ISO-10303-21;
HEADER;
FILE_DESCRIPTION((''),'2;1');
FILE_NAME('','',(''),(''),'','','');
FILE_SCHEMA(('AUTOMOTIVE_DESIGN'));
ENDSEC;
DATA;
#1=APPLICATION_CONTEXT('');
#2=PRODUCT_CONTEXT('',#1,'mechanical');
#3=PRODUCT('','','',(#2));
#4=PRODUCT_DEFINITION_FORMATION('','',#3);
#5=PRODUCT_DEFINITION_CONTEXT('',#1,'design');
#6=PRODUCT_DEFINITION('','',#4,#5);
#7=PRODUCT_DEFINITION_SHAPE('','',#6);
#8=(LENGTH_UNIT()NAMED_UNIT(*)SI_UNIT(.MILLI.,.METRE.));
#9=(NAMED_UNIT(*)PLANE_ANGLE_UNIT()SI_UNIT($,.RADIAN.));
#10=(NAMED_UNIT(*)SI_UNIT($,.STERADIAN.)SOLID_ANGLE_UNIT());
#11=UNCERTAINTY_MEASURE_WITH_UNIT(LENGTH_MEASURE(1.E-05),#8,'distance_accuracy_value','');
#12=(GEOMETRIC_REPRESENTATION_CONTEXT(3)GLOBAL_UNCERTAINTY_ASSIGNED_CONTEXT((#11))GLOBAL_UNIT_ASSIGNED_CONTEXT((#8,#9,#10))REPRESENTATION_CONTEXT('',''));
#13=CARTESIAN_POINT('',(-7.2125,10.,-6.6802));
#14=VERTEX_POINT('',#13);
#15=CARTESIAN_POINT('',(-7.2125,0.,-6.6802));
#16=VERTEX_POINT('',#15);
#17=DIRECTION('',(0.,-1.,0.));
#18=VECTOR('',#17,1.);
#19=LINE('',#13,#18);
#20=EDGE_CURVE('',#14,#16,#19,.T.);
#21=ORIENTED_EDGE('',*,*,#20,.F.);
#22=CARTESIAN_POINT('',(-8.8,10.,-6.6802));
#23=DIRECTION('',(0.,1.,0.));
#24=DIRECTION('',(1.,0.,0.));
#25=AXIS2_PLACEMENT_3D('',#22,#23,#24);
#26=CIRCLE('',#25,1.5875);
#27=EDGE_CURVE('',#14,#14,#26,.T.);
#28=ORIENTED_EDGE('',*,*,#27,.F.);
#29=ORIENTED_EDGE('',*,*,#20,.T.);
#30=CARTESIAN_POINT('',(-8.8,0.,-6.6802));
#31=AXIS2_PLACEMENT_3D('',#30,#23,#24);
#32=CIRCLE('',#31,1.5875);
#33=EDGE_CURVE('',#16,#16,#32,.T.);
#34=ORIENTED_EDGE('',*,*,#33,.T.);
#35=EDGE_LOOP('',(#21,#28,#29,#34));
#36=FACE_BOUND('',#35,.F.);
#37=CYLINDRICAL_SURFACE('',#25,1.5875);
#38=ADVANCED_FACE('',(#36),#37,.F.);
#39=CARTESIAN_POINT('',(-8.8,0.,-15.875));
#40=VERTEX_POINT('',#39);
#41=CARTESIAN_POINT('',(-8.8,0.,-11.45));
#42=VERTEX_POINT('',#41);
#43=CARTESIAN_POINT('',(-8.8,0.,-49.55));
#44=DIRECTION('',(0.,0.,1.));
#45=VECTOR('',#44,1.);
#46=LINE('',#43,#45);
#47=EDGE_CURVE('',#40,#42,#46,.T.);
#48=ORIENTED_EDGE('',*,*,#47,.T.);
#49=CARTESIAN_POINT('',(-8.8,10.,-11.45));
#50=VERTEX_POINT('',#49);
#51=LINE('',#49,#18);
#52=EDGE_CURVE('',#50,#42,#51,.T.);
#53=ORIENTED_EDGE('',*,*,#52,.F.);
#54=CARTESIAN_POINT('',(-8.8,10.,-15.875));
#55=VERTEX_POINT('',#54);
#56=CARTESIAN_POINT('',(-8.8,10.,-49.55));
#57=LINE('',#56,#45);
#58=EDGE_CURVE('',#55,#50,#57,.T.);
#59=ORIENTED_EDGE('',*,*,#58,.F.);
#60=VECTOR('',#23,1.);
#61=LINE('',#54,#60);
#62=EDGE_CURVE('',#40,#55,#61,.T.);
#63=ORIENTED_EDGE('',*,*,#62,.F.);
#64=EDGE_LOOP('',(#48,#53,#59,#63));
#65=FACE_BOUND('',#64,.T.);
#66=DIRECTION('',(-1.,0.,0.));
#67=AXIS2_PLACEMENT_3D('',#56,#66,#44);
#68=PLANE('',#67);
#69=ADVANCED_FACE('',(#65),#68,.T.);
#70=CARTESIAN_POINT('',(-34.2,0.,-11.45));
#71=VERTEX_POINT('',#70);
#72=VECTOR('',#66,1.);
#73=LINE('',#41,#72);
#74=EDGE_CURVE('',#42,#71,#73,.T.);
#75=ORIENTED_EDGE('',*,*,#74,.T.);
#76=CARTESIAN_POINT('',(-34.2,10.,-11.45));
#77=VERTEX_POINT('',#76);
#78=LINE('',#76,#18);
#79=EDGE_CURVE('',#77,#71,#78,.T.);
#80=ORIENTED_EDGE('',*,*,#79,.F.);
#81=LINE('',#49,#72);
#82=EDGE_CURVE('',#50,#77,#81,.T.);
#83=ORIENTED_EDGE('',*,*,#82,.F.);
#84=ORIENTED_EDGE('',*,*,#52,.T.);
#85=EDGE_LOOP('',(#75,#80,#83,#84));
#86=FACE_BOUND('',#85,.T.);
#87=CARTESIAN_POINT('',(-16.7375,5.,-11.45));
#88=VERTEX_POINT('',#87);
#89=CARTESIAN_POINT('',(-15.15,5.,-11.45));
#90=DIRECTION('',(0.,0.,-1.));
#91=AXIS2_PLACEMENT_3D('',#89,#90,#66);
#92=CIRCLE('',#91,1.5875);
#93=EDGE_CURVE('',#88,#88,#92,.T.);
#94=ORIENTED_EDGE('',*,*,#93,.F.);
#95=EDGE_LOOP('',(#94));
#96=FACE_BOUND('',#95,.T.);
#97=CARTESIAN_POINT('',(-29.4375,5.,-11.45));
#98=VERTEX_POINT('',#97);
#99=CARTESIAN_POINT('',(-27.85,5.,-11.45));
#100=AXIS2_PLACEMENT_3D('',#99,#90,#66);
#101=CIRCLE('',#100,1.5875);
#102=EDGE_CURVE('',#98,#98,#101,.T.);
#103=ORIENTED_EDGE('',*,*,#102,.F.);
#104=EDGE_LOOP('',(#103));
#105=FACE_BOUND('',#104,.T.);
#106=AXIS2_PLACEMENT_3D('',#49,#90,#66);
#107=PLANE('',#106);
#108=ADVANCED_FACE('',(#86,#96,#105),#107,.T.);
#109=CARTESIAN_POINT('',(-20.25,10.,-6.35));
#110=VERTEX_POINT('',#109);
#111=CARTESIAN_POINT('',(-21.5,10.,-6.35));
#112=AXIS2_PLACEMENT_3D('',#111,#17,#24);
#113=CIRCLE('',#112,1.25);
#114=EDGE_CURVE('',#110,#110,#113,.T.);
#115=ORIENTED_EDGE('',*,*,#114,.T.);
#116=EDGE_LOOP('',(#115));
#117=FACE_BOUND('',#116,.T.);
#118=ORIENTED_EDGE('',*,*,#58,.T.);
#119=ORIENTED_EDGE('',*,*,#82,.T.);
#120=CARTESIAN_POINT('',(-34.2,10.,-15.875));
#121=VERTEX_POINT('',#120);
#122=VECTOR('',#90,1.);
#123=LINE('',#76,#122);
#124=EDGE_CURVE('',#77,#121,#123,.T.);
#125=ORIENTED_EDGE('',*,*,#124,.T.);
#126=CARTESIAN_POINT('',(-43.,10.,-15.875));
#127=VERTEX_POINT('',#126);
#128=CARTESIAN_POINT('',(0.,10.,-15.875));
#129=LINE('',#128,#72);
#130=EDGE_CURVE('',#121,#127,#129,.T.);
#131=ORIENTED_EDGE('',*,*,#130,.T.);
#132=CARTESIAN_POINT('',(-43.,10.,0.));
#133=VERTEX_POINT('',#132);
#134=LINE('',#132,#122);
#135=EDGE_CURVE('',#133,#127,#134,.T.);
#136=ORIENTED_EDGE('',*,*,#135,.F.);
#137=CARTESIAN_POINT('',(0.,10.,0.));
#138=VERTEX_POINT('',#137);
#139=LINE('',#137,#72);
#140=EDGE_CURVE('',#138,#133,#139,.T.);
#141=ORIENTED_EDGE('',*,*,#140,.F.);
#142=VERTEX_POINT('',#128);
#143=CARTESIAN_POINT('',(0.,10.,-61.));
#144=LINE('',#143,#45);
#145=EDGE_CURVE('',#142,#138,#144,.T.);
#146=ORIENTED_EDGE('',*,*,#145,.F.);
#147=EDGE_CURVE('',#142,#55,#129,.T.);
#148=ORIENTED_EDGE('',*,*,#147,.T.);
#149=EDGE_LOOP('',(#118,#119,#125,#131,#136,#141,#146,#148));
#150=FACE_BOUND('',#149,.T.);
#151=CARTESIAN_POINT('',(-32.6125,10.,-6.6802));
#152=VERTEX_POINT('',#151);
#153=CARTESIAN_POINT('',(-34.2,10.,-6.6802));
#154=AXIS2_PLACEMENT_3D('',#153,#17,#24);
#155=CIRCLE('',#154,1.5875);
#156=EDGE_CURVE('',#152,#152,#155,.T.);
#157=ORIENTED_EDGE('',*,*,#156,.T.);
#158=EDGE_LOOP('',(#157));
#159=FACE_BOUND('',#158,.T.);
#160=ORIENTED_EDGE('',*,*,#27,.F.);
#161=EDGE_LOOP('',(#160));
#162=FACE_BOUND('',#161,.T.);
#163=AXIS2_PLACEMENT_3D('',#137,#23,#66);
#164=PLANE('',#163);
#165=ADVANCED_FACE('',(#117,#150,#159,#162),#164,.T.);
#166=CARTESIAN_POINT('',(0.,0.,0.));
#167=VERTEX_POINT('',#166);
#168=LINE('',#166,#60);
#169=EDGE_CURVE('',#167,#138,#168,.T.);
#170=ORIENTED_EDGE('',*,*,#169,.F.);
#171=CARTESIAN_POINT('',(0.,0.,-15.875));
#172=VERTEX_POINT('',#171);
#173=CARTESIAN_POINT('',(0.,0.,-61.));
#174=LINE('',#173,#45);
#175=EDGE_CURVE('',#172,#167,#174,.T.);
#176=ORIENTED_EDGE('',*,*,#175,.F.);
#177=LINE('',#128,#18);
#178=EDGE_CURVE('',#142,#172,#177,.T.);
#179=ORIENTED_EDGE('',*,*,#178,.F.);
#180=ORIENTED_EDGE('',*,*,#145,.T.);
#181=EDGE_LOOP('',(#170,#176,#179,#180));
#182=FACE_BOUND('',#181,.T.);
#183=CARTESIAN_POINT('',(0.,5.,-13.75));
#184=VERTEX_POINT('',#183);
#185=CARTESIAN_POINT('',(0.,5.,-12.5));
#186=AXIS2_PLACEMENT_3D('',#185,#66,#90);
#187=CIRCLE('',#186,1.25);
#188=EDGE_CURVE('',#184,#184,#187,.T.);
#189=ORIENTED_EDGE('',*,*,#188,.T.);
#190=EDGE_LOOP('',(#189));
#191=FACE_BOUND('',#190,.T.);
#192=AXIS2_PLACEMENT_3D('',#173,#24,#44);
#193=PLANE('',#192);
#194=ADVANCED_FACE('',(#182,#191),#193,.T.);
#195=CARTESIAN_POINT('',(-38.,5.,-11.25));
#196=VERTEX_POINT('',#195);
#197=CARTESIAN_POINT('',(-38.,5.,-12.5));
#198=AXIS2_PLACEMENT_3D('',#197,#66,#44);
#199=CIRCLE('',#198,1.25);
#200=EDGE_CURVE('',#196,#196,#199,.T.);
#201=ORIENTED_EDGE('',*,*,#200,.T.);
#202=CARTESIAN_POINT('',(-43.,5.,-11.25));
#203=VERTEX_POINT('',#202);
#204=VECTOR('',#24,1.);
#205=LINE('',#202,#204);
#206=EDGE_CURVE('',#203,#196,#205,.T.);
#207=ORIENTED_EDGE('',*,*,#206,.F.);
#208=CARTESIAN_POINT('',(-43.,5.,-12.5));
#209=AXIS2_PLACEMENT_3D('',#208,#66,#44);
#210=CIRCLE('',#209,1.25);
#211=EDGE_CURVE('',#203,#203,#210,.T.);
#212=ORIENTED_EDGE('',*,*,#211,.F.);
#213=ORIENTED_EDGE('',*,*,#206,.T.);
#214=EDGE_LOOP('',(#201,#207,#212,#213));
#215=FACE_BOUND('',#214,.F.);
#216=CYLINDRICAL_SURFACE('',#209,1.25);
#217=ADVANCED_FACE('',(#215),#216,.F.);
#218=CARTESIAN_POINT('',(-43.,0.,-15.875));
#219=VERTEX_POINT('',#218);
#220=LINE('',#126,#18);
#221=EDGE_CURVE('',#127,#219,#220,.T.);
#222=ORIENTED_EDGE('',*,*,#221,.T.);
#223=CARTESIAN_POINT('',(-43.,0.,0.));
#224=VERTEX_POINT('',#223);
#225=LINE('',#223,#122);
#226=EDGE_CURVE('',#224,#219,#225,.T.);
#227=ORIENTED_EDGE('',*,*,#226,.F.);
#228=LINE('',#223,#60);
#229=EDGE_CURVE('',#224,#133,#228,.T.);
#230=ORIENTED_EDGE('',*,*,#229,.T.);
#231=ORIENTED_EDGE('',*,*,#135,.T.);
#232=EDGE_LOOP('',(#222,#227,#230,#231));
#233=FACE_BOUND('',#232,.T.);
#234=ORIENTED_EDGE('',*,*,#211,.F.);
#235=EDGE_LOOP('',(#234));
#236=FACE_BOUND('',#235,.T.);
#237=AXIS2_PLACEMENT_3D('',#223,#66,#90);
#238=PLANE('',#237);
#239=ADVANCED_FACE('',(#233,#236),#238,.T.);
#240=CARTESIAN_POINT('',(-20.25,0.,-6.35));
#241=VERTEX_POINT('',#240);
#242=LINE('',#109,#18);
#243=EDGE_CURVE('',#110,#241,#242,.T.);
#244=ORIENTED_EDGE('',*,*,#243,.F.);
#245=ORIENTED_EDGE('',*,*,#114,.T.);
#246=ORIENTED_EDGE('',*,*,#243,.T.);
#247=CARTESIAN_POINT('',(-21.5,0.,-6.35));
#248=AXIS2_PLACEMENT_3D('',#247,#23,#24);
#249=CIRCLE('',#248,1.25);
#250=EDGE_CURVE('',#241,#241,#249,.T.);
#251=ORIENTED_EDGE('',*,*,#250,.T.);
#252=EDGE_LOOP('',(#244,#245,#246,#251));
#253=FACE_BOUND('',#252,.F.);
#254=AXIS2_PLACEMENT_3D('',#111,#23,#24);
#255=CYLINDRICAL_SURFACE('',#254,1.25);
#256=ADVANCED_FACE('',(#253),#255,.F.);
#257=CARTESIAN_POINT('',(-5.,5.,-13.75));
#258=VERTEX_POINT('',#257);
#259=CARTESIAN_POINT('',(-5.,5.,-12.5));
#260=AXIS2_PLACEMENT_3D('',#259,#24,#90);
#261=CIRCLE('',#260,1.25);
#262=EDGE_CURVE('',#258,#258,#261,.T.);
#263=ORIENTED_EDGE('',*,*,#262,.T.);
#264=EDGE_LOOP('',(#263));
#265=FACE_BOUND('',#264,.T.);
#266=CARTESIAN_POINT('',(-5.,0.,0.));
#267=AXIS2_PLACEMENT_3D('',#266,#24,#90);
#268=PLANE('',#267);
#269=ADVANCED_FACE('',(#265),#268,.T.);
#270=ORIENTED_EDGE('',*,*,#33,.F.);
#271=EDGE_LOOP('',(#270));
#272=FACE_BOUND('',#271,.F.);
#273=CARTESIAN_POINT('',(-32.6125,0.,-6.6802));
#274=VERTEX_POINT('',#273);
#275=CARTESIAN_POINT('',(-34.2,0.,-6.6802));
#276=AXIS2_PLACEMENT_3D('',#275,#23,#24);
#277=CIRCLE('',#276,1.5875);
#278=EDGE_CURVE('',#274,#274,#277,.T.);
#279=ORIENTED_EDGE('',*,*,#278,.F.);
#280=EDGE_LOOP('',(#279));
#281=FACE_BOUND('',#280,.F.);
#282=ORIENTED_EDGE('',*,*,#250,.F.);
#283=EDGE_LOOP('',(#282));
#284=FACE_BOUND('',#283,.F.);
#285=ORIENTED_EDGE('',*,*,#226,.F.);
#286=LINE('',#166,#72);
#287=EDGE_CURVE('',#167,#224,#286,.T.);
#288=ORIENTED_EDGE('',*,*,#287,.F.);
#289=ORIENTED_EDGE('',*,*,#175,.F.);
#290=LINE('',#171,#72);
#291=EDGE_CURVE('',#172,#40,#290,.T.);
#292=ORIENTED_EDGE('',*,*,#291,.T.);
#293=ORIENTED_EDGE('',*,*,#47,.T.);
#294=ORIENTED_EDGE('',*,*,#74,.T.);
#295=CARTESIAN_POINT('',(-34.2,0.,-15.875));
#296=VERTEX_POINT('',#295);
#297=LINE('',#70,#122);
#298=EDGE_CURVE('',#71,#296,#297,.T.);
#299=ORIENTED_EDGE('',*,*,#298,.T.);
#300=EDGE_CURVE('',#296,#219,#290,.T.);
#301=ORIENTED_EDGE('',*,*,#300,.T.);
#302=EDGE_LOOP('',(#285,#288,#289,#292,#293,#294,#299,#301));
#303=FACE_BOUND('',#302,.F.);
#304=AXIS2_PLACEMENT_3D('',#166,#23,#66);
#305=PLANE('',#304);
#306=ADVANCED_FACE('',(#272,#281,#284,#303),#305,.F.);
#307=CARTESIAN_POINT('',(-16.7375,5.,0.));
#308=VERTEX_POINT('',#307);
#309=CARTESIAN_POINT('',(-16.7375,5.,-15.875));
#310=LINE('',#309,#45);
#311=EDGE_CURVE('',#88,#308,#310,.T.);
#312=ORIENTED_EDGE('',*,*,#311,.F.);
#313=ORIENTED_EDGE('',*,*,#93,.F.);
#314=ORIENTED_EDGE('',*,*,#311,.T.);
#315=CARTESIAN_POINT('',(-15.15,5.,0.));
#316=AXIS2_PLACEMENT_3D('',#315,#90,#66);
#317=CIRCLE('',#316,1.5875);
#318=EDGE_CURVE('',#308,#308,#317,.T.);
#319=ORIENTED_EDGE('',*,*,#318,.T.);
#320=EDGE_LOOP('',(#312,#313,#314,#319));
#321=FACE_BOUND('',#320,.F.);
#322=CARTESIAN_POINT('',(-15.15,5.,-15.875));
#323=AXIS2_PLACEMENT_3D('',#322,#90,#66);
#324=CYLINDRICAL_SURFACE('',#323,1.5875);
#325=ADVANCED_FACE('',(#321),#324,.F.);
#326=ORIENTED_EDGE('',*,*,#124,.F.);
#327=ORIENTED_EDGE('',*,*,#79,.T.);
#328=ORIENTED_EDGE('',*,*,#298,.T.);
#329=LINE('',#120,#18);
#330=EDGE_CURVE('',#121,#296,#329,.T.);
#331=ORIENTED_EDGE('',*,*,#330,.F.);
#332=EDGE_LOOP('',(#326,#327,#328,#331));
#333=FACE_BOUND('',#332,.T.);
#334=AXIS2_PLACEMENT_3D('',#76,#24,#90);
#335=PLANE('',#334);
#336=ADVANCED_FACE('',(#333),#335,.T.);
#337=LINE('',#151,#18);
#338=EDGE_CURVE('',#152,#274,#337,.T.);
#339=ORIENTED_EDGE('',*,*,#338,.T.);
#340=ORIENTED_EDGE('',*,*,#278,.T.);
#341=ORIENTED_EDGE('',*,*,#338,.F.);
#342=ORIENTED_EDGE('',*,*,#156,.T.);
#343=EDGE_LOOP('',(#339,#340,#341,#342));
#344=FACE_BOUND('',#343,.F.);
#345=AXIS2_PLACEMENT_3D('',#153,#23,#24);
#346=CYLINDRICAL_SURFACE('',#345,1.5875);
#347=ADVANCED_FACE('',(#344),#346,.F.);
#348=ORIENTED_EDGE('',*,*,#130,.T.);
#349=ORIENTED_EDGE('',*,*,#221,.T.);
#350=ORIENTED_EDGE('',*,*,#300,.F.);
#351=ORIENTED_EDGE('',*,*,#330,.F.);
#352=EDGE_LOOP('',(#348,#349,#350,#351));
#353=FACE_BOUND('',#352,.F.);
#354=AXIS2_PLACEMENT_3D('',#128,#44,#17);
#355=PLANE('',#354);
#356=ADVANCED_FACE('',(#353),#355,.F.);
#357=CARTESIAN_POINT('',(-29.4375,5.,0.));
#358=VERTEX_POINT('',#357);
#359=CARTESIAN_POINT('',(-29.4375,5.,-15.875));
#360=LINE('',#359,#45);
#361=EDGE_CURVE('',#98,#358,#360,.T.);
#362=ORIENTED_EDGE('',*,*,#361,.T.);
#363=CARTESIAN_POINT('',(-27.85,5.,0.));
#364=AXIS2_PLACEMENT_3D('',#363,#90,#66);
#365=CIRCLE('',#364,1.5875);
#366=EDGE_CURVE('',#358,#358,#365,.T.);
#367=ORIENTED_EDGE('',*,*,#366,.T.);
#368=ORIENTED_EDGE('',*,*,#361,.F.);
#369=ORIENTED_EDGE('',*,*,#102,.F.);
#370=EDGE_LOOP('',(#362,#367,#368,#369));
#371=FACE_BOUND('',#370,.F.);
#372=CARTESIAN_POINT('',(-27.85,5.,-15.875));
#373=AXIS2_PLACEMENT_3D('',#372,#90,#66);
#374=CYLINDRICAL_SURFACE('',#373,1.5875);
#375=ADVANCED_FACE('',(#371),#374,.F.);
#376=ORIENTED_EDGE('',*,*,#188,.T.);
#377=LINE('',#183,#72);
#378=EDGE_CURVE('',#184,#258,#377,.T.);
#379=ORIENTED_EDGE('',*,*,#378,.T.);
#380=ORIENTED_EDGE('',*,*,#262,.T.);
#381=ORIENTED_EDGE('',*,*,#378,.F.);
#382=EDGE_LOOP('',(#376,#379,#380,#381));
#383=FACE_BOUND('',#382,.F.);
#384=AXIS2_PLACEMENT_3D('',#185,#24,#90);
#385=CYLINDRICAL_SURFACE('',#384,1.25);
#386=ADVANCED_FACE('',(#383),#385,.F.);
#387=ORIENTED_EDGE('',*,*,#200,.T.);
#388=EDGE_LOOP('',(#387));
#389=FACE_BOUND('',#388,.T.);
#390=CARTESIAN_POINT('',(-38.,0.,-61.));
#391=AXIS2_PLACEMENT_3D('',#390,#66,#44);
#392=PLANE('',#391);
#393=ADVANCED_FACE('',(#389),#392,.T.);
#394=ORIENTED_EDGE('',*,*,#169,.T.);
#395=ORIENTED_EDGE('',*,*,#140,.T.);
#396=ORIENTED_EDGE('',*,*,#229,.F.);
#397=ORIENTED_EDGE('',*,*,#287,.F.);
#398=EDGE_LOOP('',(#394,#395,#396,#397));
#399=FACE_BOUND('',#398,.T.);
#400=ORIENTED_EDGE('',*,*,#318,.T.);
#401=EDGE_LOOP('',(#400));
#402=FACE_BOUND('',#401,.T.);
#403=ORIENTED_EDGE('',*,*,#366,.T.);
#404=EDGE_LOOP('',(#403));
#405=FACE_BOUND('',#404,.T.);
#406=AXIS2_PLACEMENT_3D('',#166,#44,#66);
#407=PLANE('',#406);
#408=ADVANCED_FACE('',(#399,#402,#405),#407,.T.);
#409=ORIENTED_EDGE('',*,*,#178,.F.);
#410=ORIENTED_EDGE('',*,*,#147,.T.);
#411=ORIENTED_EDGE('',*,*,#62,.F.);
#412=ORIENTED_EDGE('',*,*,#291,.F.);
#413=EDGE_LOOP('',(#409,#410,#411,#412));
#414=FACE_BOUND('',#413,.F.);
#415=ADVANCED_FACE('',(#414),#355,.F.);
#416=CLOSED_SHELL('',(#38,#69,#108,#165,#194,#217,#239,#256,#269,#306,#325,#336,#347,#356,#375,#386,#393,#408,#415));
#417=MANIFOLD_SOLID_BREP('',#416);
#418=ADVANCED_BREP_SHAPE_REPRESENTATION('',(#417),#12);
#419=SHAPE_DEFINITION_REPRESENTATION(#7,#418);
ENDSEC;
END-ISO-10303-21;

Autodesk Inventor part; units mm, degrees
ref_plane "YZ Plane" through (0, 0, 0) normal (1, 0, 0) x (0, 1, 0)
ref_plane "XZ Plane" through (0, 0, 0) normal (0, 1, 0) x (-1, 0, 0)
ref_plane "XY Plane" through (0, 0, 0) normal (0, 0, 1) x (1, 0, 0)
sketch "Sketch1" plane through (0, 0, 0) normal (0, 1, 0) x (-1, 0, 0)
  line L0 (0, 0) -> (43, 0)
  line L1 (43, 0) -> (43, -61)
  line L2 (43, -61) -> (0, -61)
  line L3 (0, -61) -> (0, 0)
  dimension "d0" = 61
  dimension "d1" = 43
extrude "Extrusion1" add sketch "Sketch1" along normal blind 10
sketch "Sketch2" plane through (0, 0, 0) normal (1, 0, 0) x (0, 0, -1)
  line L0 (0, 0) -> (0, 10) projected
  line L1 (0, 5) -> (12.5, 5)
  circle A0 centre (12.5, 5) radius 1.25
  line L2 (0, 10) -> (61, 10) projected
  line L3 (30.5, 10) -> (30.5, 0)
  circle A1 centre (48.5, 5) radius 1.25
  dimension "d4" = 12.5
  dimension "d5" = 2.5
extrude "Extrusion2" cut sketch "Sketch2" against normal blind 5
sketch "Sketch3" plane through (-43, 0, -61) normal (-1, 0, 0) x (0, 0, 1)
  line L0 (61, 0) -> (0, 0) projected
  line L1 (61, 0) -> (61, 10) projected
  line L2 (0, 10) -> (61, 10) projected
  line L3 (0, 0) -> (0, 10) projected
  circle A0 centre (48.5, 5) radius 1.25 projected
  circle A1 centre (12.5, 5) radius 1.25 projected
extrude "Extrusion3" cut sketch "Sketch3" against normal blind 5 contours A0 | A1
sketch "Sketch4" plane through (0, 10, 0) normal (0, 1, 0) x (1, 0, 0)
  line L0 (-43, 0) -> (0, 0) projected
  line L1 (0, 61) -> (-43, 61) projected
  line L2 (-21.5, 0) -> (-21.5, 6.35)
  line L3 (-21.5, 61) -> (-21.5, 54.65)
  circle A0 centre (-21.5, 6.35) radius 1.25
  circle A1 centre (-21.5, 54.65) radius 1.25
  dimension "d10" = 6.35
  dimension "d11" = 6.35
  dimension "d12" = 2.5
  dimension "d13" = 2.5
extrude "Extrusion4" cut sketch "Sketch4" against normal up to surface (10 mm away)
sketch "Sketch5" plane through (0, 10, 0) normal (0, 1, 0) x (1, 0, 0)
  circle A0 centre (-21.5, 6.35) radius 1.25 projected
  circle A1 centre (-21.5, 54.65) radius 1.25 projected
  line L0 (-43, 0) -> (0, 0) projected
  line L1 (0, 0) -> (0, 61) projected
  line L2 (0, 61) -> (-43, 61) projected
  line L3 (-43, 61) -> (-43, 0) projected
  line L4 (-8.8, 11.45) -> (-34.2, 11.45)
  line L5 (-34.2, 11.45) -> (-34.2, 49.55)
  line L6 (-34.2, 49.55) -> (-8.8, 49.55)
  line L7 (-8.8, 49.55) -> (-8.8, 11.45)
  line L8 (-8.8, 11.45) -> (-34.2, 49.55) construction
  line L9 (-34.2, 11.45) -> (-8.8, 49.55) construction
  point P0 (-21.5, 30.5)
  dimension "d16" = 25.4
  dimension "d17" = 38.1
extrude "Extrusion5" cut sketch "Sketch5" against normal up to surface (10 mm away) contours L4 L5 L6 L7
sketch "Sketch6" plane through (0, 0, 0) normal (1, 0, 0) x (0, 0, -1)
  line L0 (0, 0) -> (0, 10) projected
  line L1 (61, 0) -> (0, 0) projected
  line L2 (0, 10) -> (15.875, 10)
  line L3 (15.875, 10) -> (15.875, 0)
  line L4 (15.875, 0) -> (0, 0)
  line L5 (0, 0) -> (0, 10)
  circle A0 centre (12.5, 5) radius 1.25 projected
  circle A1 centre (48.5, 5) radius 1.25 projected
  line L6 (61, 0) -> (0, 0) projected
  line L7 (61, 0) -> (61, 10) projected
  line L8 (0, 10) -> (61, 10) projected
  line L9 (0, 0) -> (0, 10) projected
  dimension "d20" = 15.875
extrude "Extrusion6" cut sketch "Sketch6" against normal up to surface (43 mm away) contours L3 L8 L7 L1 | A1
sketch "Sketch7" plane through (0, 10, 0) normal (0, 1, 0) x (1, 0, 0)
  line L0 (-34.2, 15.875) -> (-43, 15.875) projected
  line L1 (-43, 15.875) -> (-43, 0) projected
  line L2 (-43, 0) -> (0, 0) projected
  line L3 (0, 0) -> (0, 15.875) projected
  line L4 (0, 15.875) -> (-8.8, 15.875) projected
  line L5 (-8.8, 15.875) -> (-8.8, 11.45) projected
  line L6 (-8.8, 11.45) -> (-34.2, 11.45) projected
  line L7 (-34.2, 11.45) -> (-34.2, 15.875) projected
  circle A0 centre (-21.5, 6.35) radius 1.25 projected
  line L8 (-43, 0) -> (0, 0) projected
  line L9 (-21.5, 0) -> (-34.2, 0)
  line L10 (-34.2, 0) -> (-34.2, 6.6802)
  circle A1 centre (-34.2, 6.6802) radius 1.5875
  line L11 (-21.5, 0) -> (-21.5, 3.1877)
  circle A2 centre (-8.8, 6.6802) radius 1.5875
  dimension "d23" = 12.7
  dimension "d24" = 6.6802
  dimension "d25" = 3.175
extrude "Extrusion7" cut sketch "Sketch7" against normal blind 25.4 contours A1 | A2
sketch "Sketch8" plane through (0, 0, -15.875) normal (0, 0, -1) x (-1, 0, 0)
  line L0 (34.2, 0) -> (8.8, 0) projected
  line L1 (8.8, 10) -> (34.2, 10) projected
  line L2 (8.8, 10) -> (8.8, 0) projected
  line L3 (0, 0) -> (43, 0) projected
  line L4 (8.8, 10) -> (15.15, 10)
  line L5 (15.15, 10) -> (15.15, 0)
  line L6 (15.15, 0) -> (8.8, 0)
  line L7 (8.8, 0) -> (8.8, 10)
  circle A0 centre (15.15, 5) radius 1.5875
  line L8 (34.2, 10) -> (27.85, 10)
  line L9 (27.85, 10) -> (27.85, 0)
  line L10 (27.85, 0) -> (34.2, 0)
  line L11 (34.2, 0) -> (34.2, 10)
  circle A1 centre (27.85, 5) radius 1.5875
  line L12 (34.2, 10) -> (34.2, 0) projected
  line L13 (8.8, 10) -> (8.8, 0) projected
  dimension "d28" = 6.35
  dimension "d29" = 3.175
  dimension "d30" = 6.35
  dimension "d31" = 3.175
extrude "Extrusion8" cut sketch "Sketch8" against normal up to surface (15.875 mm away) contours A1 L9 | L9 A1 | A0 L5 | L5 A0
properties part number "exBase"
